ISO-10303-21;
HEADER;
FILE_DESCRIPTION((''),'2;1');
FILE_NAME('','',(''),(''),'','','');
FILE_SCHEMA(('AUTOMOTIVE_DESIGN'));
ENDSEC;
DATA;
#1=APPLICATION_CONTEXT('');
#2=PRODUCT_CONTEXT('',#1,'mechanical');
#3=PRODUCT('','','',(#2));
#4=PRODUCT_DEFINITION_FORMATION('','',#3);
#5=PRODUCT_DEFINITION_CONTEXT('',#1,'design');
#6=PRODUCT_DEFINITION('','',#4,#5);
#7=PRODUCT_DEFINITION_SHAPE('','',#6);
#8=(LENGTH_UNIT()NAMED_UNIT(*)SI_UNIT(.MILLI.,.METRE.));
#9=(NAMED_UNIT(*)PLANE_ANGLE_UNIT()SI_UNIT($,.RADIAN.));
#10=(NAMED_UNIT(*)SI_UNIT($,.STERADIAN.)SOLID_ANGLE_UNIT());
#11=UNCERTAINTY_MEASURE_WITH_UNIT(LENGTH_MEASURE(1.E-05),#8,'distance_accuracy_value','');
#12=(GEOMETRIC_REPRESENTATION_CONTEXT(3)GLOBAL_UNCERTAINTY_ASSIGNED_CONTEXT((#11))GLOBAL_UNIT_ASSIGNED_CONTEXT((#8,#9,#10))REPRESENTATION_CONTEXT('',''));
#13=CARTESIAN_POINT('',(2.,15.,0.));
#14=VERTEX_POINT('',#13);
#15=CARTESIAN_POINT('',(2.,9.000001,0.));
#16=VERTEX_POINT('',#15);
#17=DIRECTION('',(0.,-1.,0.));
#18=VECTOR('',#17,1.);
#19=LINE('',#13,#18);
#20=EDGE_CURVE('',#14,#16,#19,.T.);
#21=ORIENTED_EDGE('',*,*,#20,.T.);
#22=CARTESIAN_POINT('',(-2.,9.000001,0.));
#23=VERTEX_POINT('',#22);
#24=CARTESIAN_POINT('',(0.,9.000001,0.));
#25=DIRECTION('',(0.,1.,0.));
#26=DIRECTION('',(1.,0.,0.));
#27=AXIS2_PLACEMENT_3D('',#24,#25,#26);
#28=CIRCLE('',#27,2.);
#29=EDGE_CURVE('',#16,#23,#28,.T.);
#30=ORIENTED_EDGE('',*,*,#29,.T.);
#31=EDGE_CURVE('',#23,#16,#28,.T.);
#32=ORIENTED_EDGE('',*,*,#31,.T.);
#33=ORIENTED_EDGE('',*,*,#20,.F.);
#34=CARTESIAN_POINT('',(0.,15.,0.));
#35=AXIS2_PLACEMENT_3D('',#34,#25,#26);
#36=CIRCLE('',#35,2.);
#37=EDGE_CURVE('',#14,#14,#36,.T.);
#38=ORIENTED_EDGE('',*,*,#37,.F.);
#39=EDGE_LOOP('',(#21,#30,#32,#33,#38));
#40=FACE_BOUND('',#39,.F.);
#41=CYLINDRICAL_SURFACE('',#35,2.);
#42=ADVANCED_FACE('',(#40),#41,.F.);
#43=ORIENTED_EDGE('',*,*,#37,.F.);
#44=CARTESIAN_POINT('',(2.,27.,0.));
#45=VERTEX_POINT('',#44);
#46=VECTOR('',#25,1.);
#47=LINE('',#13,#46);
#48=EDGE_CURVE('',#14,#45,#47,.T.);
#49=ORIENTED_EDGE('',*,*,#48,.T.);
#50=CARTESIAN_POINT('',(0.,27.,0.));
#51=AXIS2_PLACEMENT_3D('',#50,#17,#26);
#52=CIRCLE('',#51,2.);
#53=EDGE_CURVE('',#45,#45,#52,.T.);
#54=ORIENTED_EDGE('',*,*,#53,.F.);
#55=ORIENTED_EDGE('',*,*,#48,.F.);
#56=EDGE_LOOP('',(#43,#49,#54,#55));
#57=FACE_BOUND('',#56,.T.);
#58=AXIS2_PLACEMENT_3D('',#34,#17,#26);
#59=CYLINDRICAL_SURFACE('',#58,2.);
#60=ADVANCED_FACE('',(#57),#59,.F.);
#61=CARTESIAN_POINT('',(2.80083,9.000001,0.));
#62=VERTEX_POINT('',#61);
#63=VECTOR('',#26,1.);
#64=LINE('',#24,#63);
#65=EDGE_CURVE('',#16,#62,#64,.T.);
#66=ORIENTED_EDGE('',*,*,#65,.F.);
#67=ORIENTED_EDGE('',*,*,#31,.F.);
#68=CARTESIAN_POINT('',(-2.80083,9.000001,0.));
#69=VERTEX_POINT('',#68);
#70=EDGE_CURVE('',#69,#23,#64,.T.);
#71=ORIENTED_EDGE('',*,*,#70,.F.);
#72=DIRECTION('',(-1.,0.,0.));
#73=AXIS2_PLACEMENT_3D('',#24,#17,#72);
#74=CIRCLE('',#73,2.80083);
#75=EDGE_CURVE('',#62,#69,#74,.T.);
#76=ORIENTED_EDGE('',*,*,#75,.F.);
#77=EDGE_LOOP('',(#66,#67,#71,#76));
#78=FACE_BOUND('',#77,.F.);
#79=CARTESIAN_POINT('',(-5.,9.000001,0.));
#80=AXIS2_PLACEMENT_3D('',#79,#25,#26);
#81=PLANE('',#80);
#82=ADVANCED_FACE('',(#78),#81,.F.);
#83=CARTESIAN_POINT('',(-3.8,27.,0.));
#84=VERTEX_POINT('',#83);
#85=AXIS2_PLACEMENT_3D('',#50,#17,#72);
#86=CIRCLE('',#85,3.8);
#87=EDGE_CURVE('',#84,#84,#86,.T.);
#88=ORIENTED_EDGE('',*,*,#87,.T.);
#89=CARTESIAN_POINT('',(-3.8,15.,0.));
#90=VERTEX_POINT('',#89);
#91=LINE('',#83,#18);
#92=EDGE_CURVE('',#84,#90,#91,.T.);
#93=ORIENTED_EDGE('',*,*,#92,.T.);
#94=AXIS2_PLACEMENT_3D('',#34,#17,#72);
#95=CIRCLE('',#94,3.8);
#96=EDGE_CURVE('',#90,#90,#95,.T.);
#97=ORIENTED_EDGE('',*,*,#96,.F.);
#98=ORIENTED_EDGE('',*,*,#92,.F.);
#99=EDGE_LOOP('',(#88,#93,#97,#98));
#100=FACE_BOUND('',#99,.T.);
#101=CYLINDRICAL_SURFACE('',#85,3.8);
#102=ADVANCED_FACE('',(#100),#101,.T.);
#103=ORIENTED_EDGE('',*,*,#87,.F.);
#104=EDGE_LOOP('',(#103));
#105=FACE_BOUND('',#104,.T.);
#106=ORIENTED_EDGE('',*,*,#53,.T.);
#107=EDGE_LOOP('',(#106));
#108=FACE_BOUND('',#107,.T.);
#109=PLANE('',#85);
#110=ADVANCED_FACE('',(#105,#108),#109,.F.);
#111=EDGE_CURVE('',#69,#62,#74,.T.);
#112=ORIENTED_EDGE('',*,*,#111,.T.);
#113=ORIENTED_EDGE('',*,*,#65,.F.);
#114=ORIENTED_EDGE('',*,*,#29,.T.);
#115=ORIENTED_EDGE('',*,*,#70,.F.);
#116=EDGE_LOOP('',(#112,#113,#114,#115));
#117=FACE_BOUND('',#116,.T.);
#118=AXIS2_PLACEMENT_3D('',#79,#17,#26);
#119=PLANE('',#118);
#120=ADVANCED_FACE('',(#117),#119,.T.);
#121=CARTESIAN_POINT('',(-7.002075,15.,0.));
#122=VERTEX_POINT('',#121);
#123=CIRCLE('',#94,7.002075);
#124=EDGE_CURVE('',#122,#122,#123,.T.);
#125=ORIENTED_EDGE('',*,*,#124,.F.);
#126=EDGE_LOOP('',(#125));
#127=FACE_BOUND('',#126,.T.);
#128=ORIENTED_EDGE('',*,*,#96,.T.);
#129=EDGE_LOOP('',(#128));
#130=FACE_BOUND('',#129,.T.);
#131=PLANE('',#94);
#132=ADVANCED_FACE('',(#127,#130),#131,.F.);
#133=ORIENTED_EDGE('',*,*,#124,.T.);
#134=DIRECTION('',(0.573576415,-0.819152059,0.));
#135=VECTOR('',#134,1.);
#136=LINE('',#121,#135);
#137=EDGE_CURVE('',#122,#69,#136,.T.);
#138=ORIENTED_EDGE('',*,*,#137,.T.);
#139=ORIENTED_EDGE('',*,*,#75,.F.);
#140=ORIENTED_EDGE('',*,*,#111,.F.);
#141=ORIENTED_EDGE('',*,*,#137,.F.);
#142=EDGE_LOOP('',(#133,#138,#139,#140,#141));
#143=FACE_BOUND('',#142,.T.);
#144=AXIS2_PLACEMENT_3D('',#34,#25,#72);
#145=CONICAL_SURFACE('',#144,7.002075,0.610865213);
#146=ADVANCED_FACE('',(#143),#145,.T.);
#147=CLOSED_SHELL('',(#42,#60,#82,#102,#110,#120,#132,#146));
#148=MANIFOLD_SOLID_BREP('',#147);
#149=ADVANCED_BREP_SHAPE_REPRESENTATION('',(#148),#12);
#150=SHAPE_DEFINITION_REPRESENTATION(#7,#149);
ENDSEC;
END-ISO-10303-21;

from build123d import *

# Parameters (mm, degrees)
SKETCH002_R             = 2
POCKET_DEPTH            = 10.001
POCKET_DEPTH_BACK       = 12.001
SKETCH003_W             = 10
SKETCH003_H             = 3.516841
POCKET001_DEPTH         = 7.003075
POCKET001_DEPTH_BACK    = 7.003075
BODY001_PLACEMENT_ANGLE = 180


with BuildPart() as part:
    # Sketch001 → Revolution001 (revolve)
    with BuildSketch(Plane.XY):
        Polygon((0, -12), (-3.8, -12), (-3.8, 0), (-7.002075, 0), (0, 10), align=None)
    revolve(axis=Axis((0, 0, 0), (0, 1, 0)))

    # Sketch002 → Pocket (cut, two sides)
    with BuildSketch(Plane.XZ) as pocket_sk:
        Circle(SKETCH002_R)
    extrude(amount=-POCKET_DEPTH, mode=Mode.SUBTRACT)
    extrude(pocket_sk.sketch, amount=POCKET_DEPTH_BACK, mode=Mode.SUBTRACT)

    # Sketch003 → Pocket001 (cut, two sides)
    with BuildSketch(Plane.XY) as pocket001_sk:
        with Locations((0, 7.75842)):
            Rectangle(SKETCH003_W, SKETCH003_H)
    extrude(amount=-POCKET001_DEPTH, mode=Mode.SUBTRACT)
    extrude(pocket001_sk.sketch, amount=POCKET001_DEPTH_BACK, mode=Mode.SUBTRACT)


with BuildPart() as part_1:
    # Body001 placement: moved
    add(part.part.moved(Location((0, 15, 0))).rotate(Axis((0, 15, 0), (1, 0, 0)), BODY001_PLACEMENT_ANGLE))


solid = part_1.part
